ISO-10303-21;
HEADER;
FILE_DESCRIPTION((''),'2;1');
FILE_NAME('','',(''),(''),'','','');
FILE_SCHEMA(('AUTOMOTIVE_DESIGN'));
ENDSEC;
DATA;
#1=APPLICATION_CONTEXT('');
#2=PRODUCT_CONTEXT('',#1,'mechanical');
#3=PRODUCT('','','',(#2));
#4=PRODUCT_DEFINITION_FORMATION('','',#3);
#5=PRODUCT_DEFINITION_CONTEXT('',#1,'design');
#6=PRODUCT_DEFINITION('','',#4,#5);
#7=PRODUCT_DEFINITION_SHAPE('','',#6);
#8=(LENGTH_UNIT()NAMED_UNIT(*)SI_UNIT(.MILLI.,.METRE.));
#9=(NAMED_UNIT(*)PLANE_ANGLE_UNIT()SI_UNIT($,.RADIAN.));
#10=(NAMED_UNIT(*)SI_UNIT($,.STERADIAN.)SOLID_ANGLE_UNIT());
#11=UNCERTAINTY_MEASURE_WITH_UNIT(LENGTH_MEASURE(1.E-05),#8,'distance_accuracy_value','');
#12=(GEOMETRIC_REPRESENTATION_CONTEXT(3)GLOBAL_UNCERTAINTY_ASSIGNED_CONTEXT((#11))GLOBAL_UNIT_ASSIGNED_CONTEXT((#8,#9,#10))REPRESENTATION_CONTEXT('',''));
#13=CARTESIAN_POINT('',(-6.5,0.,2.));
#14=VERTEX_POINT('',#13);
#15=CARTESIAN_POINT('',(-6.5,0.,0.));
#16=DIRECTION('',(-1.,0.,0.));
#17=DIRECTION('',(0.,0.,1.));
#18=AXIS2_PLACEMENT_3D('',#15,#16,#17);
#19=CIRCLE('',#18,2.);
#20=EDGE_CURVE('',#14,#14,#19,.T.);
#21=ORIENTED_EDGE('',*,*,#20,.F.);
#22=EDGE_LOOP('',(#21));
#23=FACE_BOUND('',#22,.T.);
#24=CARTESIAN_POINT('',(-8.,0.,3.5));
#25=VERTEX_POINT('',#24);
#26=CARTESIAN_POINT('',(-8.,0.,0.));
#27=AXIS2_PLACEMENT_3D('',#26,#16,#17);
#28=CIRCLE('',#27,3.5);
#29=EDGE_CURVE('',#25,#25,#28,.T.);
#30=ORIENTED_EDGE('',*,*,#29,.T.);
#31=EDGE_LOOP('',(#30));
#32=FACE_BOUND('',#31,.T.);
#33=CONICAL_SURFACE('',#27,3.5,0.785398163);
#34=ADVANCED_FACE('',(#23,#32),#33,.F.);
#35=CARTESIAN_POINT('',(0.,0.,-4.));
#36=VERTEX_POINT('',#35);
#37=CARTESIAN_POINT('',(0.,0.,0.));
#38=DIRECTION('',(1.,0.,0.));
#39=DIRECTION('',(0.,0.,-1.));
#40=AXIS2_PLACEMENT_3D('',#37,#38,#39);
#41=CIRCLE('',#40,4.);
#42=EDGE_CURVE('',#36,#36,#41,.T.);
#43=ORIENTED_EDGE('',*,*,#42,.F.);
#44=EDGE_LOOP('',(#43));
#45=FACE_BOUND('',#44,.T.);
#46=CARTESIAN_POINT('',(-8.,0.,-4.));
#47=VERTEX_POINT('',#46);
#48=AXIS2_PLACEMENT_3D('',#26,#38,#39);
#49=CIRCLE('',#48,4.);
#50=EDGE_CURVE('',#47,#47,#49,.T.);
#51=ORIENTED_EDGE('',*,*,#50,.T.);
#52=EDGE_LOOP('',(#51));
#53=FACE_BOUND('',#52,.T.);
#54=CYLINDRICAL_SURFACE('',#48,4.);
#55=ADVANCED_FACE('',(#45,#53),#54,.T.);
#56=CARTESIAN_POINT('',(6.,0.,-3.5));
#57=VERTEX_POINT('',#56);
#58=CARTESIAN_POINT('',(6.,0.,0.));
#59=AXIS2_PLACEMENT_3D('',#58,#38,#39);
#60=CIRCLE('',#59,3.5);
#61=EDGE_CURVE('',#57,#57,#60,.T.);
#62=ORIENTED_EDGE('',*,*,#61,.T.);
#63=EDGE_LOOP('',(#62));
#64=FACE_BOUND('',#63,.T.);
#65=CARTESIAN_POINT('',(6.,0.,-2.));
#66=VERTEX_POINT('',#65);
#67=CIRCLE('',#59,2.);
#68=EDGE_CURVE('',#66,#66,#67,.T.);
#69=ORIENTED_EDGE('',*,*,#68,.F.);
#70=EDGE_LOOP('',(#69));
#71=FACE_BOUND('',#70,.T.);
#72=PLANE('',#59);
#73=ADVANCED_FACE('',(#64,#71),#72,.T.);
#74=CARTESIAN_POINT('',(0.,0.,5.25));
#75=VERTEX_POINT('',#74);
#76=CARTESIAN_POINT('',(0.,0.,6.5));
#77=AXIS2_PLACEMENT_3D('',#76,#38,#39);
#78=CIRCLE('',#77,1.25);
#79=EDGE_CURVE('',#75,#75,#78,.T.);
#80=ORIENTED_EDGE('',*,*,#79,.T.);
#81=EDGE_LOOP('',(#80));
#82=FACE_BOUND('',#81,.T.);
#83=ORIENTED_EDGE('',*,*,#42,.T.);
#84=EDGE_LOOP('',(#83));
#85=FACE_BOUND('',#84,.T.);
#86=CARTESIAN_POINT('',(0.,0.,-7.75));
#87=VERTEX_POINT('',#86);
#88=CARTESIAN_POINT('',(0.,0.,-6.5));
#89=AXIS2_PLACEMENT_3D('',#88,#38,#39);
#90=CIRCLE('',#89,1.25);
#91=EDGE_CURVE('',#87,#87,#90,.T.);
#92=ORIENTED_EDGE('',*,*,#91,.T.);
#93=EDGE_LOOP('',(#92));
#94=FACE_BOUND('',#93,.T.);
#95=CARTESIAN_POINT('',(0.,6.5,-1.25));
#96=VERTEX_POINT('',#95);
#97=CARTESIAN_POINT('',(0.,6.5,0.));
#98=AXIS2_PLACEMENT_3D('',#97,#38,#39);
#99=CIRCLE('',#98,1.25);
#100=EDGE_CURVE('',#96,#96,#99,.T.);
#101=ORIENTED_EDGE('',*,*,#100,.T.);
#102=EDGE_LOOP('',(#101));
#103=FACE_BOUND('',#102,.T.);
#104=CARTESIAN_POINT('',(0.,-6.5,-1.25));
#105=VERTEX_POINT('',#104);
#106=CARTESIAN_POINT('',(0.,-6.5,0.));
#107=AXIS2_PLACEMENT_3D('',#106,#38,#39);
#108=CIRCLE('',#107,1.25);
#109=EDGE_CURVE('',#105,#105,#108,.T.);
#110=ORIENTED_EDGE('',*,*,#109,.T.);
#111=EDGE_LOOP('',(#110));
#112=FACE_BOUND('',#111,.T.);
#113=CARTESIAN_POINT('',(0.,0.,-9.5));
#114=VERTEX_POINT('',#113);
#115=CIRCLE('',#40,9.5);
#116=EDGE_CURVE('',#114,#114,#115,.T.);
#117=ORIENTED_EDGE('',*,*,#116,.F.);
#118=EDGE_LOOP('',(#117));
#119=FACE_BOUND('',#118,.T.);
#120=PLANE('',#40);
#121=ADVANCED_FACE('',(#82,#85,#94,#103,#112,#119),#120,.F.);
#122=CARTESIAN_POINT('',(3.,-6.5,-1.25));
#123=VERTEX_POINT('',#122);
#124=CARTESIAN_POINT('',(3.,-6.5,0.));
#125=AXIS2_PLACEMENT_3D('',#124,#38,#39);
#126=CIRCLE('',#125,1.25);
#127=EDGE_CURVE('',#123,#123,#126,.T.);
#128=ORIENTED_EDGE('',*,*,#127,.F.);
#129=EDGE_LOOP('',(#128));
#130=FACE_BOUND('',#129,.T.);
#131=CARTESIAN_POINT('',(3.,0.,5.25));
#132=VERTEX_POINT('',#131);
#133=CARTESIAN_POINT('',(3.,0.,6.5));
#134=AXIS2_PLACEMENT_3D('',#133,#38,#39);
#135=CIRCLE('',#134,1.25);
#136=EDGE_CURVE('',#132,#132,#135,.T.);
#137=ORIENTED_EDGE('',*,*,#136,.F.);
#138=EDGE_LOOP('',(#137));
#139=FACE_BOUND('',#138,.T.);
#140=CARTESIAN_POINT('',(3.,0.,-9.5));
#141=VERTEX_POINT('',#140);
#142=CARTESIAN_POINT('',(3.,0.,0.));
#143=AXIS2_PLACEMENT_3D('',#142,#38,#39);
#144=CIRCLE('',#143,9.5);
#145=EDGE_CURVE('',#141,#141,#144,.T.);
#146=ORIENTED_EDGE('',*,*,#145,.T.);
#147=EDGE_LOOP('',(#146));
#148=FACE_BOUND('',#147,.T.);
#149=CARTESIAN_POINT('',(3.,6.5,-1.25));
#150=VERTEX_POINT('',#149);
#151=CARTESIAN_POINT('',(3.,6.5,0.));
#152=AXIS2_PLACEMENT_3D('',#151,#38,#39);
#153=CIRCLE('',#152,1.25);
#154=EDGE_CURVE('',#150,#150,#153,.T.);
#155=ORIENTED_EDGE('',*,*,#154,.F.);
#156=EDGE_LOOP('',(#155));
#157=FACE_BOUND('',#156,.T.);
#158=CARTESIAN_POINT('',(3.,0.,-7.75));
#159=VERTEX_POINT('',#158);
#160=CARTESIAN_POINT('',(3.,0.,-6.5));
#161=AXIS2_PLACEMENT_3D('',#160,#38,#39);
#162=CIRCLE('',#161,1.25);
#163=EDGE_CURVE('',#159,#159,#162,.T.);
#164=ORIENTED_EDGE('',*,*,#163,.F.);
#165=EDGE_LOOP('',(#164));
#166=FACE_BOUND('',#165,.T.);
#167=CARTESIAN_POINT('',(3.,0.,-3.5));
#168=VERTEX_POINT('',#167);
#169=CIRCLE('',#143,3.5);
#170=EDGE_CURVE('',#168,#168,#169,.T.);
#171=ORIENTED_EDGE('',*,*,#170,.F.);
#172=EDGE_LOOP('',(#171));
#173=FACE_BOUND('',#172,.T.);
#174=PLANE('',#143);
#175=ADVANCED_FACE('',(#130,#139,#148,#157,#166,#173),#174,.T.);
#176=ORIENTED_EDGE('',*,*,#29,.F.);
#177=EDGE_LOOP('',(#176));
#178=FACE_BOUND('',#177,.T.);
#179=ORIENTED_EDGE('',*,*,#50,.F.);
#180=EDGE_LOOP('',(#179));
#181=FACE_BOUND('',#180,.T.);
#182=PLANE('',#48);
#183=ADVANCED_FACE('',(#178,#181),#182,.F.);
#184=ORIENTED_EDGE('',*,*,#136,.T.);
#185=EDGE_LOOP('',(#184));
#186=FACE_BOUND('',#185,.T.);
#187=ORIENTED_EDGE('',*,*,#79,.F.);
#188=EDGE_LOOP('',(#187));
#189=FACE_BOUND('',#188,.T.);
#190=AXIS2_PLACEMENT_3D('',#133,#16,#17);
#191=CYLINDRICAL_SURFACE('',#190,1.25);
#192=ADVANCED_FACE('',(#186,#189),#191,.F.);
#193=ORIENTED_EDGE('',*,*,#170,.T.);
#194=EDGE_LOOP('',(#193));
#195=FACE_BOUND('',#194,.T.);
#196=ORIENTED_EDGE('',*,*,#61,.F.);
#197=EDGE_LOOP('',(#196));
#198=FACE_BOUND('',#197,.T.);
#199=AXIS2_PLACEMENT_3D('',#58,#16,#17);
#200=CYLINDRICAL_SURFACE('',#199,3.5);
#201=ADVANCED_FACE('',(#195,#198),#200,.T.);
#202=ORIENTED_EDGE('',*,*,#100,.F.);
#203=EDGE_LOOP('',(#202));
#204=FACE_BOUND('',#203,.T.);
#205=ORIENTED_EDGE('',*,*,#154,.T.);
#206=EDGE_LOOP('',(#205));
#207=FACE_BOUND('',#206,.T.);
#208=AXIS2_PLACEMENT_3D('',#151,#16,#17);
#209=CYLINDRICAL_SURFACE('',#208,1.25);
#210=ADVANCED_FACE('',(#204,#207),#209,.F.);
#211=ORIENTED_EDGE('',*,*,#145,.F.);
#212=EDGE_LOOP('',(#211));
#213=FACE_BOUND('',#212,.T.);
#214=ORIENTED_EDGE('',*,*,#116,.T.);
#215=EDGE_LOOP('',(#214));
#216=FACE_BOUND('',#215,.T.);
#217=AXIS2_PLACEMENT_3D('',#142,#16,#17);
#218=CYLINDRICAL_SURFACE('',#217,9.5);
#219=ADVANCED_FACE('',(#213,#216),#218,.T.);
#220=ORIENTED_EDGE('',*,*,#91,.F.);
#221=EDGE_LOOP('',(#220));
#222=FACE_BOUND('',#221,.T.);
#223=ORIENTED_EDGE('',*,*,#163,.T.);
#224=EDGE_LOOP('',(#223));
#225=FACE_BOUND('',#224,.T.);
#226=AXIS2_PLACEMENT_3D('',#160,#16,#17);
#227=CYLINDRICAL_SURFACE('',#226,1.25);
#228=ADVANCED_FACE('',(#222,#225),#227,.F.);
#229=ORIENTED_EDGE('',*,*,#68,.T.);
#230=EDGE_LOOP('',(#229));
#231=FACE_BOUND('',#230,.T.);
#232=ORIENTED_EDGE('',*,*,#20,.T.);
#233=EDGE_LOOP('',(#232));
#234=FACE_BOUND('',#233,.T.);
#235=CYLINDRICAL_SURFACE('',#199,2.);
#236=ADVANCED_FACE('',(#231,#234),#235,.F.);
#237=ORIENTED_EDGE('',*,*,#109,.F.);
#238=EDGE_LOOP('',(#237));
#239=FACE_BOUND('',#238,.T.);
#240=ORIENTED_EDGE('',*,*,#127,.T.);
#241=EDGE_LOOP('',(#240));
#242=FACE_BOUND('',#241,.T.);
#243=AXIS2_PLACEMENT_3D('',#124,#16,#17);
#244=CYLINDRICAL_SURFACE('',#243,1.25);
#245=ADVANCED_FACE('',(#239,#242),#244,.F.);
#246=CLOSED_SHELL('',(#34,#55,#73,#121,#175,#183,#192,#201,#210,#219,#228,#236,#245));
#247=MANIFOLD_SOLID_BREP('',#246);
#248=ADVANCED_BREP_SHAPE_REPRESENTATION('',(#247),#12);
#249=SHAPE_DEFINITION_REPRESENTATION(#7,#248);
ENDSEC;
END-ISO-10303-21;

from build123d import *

# Parameters (mm, degrees)
SKETCH1_R           = 9.5
SKETCH1_R_2         = 1.25
SKETCH1_R_3         = 4
SKETCH1_R_4         = 3.5
BOSS_EXTRUDE1_DEPTH = 3
SKETCH1_3_R         = 3.5
SKETCH1_3_R_2       = 2
BOSS_EXTRUDE2_DEPTH = 6
BOSS_EXTRUDE3_START = -8
SKETCH1_4_R         = 4
SKETCH1_4_R_2       = 3.5
SKETCH1_4_R_3       = 2
BOSS_EXTRUDE3_DEPTH = 8


with BuildPart() as part:
    # Sketch1 → Boss-Extrude1 (new body)
    # profile 1 of 2: a face of its own
    with BuildSketch(Plane(origin=(0, 0, 0), x_dir=(0, 0, -1), z_dir=(1, 0, 0))):
        Circle(SKETCH1_R)
        with Locations((-6.5, 0)):
            Circle(SKETCH1_R_2, mode=Mode.SUBTRACT)
        with Locations((0, -6.5)):
            Circle(SKETCH1_R_2, mode=Mode.SUBTRACT)
        with Locations((6.5, 0)):
            Circle(SKETCH1_R_2, mode=Mode.SUBTRACT)
        with Locations((0, 6.5)):
            Circle(SKETCH1_R_2, mode=Mode.SUBTRACT)
        Circle(SKETCH1_R_3, mode=Mode.SUBTRACT)
    # profile 2 of 2: a face of its own
    with BuildSketch(Plane(origin=(0, 0, 0), x_dir=(0, 0, -1), z_dir=(1, 0, 0))):
        Circle(SKETCH1_R_3)
        Circle(SKETCH1_R_4, mode=Mode.SUBTRACT)
    extrude(amount=BOSS_EXTRUDE1_DEPTH)

    # Sketch1<3> → Boss-Extrude2 (add)
    with BuildSketch(Plane(origin=(0, 0, 0), x_dir=(0, 0, -1), z_dir=(1, 0, 0))):
        Circle(SKETCH1_3_R)
        Circle(SKETCH1_3_R_2, mode=Mode.SUBTRACT)
    extrude(amount=BOSS_EXTRUDE2_DEPTH)

    # Sketch1<4> → Boss-Extrude3 (add)
    # profile 1 of 2: a face of its own
    with BuildSketch(Plane(origin=(0, 0, 0), x_dir=(0, 0, -1), z_dir=(1, 0, 0)).offset(BOSS_EXTRUDE3_START)):
        Circle(SKETCH1_4_R)
        Circle(SKETCH1_4_R_2, mode=Mode.SUBTRACT)
    # profile 2 of 2: a face of its own
    with BuildSketch(Plane(origin=(0, 0, 0), x_dir=(0, 0, -1), z_dir=(1, 0, 0)).offset(BOSS_EXTRUDE3_START)):
        Circle(SKETCH1_4_R_2)
        Circle(SKETCH1_4_R_3, mode=Mode.SUBTRACT)
    extrude(amount=BOSS_EXTRUDE3_DEPTH)

    # Cut-Extrude1 cone 1 section (through the dimple's axis) → Cut-Extrude1 (revolve, cut)
    with BuildSketch(Plane(origin=(-8, 0, 0), x_dir=(0, 0, 1), z_dir=(0, 1, 0))):
        Polygon((0, 0), (3.5, 0), (0, 3.5), align=None)
    revolve(axis=Axis((-8, 0, 0), (1, 0, 0)), mode=Mode.SUBTRACT)


solid = part.part
